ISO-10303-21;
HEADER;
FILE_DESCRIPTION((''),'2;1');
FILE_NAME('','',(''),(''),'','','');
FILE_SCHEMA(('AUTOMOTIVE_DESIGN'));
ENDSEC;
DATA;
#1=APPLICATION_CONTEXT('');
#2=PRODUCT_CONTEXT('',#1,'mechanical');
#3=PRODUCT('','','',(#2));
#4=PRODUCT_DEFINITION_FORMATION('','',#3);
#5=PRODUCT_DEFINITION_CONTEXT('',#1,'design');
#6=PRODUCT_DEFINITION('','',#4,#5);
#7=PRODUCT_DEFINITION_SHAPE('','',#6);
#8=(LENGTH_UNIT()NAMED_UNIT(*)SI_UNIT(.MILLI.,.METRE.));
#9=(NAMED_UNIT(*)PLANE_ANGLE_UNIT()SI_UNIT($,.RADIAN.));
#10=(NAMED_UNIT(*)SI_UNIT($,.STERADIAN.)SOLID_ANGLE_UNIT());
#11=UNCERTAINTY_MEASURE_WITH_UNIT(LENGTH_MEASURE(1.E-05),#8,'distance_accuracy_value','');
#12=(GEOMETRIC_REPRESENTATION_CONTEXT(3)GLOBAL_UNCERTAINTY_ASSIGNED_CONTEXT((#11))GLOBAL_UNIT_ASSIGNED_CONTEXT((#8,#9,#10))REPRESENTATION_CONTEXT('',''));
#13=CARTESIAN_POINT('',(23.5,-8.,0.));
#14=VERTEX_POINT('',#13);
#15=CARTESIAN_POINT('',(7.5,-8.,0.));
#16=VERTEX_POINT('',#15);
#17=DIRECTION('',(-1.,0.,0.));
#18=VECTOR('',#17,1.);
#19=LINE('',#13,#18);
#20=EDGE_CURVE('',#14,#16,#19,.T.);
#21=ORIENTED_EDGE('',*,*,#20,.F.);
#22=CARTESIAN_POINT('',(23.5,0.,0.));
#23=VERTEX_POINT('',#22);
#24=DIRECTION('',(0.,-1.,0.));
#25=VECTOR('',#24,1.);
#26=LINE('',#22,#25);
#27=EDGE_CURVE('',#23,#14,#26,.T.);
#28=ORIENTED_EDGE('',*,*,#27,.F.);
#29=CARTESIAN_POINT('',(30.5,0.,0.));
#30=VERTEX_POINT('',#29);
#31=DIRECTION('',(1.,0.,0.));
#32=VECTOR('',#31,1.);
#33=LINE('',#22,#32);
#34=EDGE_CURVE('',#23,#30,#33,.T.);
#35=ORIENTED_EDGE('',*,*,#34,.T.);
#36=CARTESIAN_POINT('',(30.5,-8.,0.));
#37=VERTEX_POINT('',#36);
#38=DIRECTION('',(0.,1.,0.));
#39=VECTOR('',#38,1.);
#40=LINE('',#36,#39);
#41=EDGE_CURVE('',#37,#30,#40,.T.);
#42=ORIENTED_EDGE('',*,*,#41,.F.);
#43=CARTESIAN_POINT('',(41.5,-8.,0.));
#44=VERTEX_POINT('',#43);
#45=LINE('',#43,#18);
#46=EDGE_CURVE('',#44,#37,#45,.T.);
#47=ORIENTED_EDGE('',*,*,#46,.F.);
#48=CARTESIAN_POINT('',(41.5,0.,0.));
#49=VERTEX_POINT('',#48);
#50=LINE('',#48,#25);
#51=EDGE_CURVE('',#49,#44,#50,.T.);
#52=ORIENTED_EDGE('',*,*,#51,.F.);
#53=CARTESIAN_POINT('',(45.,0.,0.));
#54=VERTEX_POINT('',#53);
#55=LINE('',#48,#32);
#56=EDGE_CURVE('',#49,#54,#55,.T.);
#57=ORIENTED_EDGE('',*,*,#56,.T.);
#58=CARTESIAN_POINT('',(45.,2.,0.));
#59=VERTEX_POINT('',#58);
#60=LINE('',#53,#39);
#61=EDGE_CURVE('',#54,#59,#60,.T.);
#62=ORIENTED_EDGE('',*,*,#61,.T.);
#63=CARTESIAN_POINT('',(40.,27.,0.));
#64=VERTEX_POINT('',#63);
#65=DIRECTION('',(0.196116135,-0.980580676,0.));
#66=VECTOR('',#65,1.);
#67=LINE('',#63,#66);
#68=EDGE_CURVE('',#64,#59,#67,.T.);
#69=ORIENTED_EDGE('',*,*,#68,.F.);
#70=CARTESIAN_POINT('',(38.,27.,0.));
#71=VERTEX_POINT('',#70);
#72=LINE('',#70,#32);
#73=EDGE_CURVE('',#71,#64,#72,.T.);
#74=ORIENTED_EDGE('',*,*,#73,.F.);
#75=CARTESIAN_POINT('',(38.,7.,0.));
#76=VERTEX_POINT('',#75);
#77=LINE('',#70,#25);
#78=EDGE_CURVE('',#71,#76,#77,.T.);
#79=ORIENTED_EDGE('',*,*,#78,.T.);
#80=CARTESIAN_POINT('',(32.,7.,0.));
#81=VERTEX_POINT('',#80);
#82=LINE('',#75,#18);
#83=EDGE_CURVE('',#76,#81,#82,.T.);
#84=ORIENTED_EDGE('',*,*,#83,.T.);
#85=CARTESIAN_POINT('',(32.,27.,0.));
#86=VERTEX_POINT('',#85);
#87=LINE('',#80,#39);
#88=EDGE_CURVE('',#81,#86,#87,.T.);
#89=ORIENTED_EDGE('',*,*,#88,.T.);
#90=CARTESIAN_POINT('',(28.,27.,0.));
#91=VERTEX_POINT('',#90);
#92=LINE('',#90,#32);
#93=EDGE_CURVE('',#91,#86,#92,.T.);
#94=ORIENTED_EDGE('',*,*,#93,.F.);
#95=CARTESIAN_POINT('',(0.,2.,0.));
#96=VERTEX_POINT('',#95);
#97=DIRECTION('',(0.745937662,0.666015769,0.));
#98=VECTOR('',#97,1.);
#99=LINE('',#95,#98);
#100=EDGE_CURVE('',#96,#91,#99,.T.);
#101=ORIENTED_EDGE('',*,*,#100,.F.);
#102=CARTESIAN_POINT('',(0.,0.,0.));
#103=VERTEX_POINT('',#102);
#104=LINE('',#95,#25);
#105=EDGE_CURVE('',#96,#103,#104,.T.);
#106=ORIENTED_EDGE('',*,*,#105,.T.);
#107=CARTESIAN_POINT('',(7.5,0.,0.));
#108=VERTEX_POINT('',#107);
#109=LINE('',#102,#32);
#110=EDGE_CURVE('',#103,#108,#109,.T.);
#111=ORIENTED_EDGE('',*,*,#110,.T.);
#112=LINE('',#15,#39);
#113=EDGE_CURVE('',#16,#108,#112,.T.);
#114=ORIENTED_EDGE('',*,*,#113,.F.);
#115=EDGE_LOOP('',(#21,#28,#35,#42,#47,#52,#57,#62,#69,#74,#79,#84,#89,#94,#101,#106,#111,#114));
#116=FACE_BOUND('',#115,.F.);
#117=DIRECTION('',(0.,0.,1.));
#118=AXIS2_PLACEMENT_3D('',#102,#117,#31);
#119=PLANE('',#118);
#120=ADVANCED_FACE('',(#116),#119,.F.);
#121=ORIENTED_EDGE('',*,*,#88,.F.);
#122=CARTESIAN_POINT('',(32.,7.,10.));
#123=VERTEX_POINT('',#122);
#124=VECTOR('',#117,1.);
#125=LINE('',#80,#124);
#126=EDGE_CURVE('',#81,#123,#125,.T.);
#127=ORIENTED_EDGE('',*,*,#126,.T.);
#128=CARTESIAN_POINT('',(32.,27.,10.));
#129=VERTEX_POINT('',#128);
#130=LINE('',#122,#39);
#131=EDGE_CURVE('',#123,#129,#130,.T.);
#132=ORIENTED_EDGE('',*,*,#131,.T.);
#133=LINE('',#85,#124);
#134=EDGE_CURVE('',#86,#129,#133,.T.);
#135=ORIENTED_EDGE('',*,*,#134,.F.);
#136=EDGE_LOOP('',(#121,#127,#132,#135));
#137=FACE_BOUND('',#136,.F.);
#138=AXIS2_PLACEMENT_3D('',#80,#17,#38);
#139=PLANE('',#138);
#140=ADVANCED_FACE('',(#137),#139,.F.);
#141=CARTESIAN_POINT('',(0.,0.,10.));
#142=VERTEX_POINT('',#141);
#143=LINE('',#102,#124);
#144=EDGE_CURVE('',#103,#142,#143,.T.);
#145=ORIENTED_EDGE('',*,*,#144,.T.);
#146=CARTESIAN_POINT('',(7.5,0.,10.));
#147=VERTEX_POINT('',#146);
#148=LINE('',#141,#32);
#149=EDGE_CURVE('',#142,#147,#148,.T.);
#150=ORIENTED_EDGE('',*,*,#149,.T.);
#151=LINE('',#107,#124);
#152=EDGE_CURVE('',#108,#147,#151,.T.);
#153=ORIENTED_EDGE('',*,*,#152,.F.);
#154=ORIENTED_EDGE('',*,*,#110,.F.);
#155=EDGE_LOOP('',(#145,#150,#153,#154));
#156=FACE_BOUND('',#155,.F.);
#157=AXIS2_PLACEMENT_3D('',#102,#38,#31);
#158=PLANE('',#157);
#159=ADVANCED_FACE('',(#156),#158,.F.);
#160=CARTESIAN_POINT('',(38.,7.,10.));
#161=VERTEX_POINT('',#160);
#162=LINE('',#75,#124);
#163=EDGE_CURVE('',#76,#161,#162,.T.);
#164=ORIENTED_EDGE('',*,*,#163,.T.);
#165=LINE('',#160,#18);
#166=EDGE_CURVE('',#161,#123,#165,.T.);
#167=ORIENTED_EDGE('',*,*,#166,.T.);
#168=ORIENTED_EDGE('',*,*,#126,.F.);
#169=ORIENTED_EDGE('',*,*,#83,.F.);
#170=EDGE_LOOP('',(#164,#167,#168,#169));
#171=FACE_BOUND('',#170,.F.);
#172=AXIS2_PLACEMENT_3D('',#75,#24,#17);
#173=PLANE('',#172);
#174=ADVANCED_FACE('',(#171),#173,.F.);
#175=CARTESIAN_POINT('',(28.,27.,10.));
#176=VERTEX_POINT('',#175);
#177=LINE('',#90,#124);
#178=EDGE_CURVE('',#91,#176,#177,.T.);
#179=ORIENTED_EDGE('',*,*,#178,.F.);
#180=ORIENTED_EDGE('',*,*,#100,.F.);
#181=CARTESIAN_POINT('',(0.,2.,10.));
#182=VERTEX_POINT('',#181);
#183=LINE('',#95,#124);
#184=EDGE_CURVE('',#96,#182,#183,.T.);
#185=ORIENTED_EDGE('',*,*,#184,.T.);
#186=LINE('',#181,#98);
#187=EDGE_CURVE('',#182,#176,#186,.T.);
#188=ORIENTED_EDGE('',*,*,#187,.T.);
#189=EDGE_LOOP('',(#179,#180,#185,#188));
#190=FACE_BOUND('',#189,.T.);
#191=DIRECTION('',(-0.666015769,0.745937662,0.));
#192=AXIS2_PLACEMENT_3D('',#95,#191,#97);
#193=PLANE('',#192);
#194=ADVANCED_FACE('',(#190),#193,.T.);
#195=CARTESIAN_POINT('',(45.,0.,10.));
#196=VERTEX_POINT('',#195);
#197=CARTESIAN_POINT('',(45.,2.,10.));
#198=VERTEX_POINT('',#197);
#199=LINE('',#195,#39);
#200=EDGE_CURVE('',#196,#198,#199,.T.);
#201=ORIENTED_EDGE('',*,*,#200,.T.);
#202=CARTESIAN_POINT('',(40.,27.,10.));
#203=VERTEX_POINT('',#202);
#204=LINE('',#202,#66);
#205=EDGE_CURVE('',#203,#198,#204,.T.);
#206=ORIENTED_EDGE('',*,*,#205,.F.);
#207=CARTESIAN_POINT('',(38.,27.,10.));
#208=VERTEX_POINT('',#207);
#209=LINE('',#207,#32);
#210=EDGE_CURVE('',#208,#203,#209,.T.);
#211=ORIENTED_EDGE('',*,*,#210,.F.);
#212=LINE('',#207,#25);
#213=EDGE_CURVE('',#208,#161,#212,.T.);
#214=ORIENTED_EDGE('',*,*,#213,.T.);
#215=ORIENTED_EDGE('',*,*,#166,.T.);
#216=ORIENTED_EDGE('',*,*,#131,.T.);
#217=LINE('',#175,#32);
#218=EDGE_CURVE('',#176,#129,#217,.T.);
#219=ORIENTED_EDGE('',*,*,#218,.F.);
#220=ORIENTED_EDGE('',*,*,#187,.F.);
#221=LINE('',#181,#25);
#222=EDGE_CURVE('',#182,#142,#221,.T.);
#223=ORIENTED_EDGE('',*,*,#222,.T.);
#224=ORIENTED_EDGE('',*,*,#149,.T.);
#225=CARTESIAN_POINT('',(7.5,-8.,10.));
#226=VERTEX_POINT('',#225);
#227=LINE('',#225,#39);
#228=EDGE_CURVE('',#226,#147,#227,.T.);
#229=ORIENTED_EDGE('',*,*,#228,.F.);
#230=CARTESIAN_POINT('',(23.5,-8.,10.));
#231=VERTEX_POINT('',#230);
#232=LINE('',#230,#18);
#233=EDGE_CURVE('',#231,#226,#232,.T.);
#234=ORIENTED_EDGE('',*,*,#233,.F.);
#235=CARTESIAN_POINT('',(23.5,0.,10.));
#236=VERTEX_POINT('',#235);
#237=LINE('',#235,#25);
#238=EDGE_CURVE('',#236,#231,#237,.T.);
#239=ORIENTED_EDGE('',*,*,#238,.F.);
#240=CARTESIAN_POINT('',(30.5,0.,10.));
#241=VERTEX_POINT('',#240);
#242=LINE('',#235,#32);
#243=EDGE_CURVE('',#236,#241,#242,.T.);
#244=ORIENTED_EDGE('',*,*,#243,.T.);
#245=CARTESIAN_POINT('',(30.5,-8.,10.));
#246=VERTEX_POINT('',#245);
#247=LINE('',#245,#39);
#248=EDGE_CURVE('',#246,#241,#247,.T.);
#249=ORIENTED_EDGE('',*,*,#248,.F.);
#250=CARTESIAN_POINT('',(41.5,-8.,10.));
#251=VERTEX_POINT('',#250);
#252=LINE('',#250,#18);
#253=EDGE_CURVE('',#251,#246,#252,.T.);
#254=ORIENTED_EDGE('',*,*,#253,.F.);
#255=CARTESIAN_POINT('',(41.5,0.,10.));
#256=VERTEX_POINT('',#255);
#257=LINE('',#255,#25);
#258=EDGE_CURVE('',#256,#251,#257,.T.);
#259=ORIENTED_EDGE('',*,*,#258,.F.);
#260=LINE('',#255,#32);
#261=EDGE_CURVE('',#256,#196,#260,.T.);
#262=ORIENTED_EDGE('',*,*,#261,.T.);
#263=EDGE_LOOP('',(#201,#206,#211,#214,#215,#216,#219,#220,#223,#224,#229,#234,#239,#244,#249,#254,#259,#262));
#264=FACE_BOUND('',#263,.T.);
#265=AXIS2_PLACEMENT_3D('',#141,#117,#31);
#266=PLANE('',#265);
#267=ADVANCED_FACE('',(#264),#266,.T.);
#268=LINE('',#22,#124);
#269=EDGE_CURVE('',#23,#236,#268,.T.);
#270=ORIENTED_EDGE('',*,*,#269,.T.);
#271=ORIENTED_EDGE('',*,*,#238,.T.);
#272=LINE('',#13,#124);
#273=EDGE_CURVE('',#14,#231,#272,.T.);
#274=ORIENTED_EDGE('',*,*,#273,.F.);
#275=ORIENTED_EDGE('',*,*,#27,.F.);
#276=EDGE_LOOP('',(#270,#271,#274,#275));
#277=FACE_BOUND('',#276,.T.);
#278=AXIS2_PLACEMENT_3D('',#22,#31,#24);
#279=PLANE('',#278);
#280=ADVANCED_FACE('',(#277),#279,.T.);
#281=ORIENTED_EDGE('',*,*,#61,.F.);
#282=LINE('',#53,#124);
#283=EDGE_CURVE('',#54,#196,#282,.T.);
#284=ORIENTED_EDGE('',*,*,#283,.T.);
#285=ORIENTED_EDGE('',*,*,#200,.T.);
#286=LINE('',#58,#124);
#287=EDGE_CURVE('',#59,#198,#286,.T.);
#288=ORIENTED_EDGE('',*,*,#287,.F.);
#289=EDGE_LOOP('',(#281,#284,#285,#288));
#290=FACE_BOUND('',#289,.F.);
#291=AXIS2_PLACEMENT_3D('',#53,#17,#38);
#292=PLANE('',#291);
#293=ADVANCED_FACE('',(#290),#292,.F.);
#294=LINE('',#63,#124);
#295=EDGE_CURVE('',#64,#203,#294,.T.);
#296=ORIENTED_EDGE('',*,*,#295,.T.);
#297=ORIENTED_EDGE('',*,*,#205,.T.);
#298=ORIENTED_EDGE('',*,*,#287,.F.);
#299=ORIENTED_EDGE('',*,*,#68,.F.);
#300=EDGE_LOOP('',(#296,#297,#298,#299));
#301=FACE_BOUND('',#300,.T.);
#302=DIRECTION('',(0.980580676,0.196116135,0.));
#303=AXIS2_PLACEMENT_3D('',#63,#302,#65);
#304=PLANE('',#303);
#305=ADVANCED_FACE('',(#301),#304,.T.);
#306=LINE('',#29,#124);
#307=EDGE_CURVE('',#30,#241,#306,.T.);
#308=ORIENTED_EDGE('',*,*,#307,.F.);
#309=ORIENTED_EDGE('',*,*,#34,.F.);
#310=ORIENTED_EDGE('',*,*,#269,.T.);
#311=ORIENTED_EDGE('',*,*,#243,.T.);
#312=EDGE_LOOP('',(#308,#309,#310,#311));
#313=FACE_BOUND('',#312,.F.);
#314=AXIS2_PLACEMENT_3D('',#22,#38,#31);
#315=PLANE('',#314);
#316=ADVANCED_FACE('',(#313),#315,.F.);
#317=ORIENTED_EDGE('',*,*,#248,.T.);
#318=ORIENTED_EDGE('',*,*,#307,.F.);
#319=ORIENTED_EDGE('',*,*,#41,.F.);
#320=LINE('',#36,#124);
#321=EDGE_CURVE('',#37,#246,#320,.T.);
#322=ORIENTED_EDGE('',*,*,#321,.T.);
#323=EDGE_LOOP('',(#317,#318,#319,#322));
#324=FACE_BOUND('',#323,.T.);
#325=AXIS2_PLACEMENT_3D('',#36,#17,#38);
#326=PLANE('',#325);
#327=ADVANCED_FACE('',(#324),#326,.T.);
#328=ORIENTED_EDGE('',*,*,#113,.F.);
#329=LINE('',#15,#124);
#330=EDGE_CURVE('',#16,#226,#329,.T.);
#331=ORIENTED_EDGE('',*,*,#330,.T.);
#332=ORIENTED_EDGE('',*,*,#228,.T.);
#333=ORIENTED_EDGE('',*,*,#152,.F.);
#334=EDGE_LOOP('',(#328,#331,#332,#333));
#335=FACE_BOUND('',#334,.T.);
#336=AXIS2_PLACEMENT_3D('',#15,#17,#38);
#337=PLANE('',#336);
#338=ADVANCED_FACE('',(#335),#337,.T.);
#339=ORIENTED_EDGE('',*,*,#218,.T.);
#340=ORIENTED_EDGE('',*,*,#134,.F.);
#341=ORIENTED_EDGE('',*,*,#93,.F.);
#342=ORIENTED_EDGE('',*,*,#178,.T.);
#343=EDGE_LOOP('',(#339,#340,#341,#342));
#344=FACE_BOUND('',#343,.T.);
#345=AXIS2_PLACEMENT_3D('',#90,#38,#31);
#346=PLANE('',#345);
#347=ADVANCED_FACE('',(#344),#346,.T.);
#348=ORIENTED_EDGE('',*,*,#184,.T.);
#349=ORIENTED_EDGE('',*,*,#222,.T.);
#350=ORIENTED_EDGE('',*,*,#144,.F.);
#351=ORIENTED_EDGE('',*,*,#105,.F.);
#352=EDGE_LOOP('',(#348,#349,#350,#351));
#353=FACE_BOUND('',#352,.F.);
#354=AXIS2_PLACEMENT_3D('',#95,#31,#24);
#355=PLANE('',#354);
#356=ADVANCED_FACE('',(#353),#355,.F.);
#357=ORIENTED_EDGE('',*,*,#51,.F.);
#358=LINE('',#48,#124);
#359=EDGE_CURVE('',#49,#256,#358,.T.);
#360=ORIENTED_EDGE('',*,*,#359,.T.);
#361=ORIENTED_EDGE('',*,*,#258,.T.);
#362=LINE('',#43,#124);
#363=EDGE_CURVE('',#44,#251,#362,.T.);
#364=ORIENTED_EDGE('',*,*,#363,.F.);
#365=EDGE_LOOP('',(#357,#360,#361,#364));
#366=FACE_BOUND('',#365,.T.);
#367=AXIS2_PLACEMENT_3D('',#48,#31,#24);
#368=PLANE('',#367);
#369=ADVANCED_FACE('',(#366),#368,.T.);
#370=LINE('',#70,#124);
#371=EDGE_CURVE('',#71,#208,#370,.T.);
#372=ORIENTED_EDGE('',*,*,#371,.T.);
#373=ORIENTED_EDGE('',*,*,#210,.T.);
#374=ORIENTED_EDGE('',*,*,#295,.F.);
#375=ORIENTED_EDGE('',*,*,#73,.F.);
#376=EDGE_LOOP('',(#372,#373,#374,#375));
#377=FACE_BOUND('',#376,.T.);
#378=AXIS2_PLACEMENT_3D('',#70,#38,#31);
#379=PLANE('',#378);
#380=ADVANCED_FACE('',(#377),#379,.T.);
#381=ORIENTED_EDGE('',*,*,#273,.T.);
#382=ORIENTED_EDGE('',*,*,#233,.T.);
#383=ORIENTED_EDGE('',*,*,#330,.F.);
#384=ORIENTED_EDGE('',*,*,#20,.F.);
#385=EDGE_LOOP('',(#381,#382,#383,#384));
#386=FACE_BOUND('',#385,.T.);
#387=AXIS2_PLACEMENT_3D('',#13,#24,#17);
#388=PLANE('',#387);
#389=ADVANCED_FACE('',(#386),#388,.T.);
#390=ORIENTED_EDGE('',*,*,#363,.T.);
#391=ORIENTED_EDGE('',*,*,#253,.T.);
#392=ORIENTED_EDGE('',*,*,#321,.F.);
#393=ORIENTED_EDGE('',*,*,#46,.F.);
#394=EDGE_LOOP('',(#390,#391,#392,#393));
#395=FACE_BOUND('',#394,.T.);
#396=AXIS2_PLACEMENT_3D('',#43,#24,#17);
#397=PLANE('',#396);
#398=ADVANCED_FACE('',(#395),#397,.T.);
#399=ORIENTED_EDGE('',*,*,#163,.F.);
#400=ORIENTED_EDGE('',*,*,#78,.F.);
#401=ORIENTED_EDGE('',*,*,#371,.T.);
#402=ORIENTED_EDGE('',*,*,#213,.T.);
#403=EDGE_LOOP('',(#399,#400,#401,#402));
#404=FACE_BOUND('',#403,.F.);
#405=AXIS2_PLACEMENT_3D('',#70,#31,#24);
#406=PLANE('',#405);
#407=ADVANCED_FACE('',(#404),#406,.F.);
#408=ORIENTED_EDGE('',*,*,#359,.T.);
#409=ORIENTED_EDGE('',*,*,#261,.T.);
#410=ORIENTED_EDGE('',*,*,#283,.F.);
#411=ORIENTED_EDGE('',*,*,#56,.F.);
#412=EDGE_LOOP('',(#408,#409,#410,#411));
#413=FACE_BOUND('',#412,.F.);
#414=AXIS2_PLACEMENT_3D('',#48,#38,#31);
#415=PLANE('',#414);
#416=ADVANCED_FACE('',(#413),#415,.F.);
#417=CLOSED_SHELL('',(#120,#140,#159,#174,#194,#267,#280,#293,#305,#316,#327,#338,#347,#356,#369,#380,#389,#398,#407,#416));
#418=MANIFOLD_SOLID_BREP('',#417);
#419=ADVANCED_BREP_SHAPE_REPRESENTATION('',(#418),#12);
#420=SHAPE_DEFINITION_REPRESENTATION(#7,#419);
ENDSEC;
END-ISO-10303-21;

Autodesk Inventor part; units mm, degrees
ref_plane "YZ Plane" through (0, 0, 0) normal (1, 0, 0) x (0, 1, 0)
ref_plane "XZ Plane" through (0, 0, 0) normal (0, 1, 0) x (-1, 0, 0)
ref_plane "XY Plane" through (0, 0, 0) normal (0, 0, 1) x (1, 0, 0)
sketch "Esquisse1" plane through (0, 0, 0) normal (0, 0, 1) x (1, 0, 0)
  line L0 (45, 0) -> (45, 2)
  line L1 (0, 2) -> (0, 0)
  line L2 (38, 27) -> (38, 7)
  line L3 (38, 7) -> (32, 7)
  line L4 (32, 7) -> (32, 27)
  line L5 (28, 27) -> (32, 27)
  line L6 (38, 27) -> (40, 27)
  line L7 (0, 2) -> (45, 2) construction
  line L8 (0, 2) -> (28, 27)
  line L9 (40, 27) -> (45, 2)
  line L10 (23.5, 0) -> (23.5, -8)
  line L11 (23.5, -8) -> (7.5, -8)
  line L12 (7.5, -8) -> (7.5, 0)
  line L13 (41.5, 0) -> (41.5, -8)
  line L14 (41.5, -8) -> (30.5, -8)
  line L15 (30.5, -8) -> (30.5, 0)
  line L16 (0, 0) -> (7.5, 0)
  line L17 (23.5, 0) -> (30.5, 0)
  line L18 (41.5, 0) -> (45, 0)
  dimension "d10" = 45
  dimension "d12" = 6
  dimension "d13" = 7
  dimension "d14" = 20
  dimension "d15" = 20
  dimension "d21" = 16
  dimension "d23" = 7.5
  dimension "d24" = 11
  dimension "d26" = 3.5
  dimension "d27" = 7
  dimension "d28" = 8
  dimension "d29" = 8
  dimension "d30" = 8
  dimension "d31" = 8
  dimension "d34" = 78.69
  dimension "d35" = 25
  dimension "d36" = 41.76
extrude "Extrusion1" add sketch "Esquisse1" along normal blind 10
properties part number "Support_carte_ground"
